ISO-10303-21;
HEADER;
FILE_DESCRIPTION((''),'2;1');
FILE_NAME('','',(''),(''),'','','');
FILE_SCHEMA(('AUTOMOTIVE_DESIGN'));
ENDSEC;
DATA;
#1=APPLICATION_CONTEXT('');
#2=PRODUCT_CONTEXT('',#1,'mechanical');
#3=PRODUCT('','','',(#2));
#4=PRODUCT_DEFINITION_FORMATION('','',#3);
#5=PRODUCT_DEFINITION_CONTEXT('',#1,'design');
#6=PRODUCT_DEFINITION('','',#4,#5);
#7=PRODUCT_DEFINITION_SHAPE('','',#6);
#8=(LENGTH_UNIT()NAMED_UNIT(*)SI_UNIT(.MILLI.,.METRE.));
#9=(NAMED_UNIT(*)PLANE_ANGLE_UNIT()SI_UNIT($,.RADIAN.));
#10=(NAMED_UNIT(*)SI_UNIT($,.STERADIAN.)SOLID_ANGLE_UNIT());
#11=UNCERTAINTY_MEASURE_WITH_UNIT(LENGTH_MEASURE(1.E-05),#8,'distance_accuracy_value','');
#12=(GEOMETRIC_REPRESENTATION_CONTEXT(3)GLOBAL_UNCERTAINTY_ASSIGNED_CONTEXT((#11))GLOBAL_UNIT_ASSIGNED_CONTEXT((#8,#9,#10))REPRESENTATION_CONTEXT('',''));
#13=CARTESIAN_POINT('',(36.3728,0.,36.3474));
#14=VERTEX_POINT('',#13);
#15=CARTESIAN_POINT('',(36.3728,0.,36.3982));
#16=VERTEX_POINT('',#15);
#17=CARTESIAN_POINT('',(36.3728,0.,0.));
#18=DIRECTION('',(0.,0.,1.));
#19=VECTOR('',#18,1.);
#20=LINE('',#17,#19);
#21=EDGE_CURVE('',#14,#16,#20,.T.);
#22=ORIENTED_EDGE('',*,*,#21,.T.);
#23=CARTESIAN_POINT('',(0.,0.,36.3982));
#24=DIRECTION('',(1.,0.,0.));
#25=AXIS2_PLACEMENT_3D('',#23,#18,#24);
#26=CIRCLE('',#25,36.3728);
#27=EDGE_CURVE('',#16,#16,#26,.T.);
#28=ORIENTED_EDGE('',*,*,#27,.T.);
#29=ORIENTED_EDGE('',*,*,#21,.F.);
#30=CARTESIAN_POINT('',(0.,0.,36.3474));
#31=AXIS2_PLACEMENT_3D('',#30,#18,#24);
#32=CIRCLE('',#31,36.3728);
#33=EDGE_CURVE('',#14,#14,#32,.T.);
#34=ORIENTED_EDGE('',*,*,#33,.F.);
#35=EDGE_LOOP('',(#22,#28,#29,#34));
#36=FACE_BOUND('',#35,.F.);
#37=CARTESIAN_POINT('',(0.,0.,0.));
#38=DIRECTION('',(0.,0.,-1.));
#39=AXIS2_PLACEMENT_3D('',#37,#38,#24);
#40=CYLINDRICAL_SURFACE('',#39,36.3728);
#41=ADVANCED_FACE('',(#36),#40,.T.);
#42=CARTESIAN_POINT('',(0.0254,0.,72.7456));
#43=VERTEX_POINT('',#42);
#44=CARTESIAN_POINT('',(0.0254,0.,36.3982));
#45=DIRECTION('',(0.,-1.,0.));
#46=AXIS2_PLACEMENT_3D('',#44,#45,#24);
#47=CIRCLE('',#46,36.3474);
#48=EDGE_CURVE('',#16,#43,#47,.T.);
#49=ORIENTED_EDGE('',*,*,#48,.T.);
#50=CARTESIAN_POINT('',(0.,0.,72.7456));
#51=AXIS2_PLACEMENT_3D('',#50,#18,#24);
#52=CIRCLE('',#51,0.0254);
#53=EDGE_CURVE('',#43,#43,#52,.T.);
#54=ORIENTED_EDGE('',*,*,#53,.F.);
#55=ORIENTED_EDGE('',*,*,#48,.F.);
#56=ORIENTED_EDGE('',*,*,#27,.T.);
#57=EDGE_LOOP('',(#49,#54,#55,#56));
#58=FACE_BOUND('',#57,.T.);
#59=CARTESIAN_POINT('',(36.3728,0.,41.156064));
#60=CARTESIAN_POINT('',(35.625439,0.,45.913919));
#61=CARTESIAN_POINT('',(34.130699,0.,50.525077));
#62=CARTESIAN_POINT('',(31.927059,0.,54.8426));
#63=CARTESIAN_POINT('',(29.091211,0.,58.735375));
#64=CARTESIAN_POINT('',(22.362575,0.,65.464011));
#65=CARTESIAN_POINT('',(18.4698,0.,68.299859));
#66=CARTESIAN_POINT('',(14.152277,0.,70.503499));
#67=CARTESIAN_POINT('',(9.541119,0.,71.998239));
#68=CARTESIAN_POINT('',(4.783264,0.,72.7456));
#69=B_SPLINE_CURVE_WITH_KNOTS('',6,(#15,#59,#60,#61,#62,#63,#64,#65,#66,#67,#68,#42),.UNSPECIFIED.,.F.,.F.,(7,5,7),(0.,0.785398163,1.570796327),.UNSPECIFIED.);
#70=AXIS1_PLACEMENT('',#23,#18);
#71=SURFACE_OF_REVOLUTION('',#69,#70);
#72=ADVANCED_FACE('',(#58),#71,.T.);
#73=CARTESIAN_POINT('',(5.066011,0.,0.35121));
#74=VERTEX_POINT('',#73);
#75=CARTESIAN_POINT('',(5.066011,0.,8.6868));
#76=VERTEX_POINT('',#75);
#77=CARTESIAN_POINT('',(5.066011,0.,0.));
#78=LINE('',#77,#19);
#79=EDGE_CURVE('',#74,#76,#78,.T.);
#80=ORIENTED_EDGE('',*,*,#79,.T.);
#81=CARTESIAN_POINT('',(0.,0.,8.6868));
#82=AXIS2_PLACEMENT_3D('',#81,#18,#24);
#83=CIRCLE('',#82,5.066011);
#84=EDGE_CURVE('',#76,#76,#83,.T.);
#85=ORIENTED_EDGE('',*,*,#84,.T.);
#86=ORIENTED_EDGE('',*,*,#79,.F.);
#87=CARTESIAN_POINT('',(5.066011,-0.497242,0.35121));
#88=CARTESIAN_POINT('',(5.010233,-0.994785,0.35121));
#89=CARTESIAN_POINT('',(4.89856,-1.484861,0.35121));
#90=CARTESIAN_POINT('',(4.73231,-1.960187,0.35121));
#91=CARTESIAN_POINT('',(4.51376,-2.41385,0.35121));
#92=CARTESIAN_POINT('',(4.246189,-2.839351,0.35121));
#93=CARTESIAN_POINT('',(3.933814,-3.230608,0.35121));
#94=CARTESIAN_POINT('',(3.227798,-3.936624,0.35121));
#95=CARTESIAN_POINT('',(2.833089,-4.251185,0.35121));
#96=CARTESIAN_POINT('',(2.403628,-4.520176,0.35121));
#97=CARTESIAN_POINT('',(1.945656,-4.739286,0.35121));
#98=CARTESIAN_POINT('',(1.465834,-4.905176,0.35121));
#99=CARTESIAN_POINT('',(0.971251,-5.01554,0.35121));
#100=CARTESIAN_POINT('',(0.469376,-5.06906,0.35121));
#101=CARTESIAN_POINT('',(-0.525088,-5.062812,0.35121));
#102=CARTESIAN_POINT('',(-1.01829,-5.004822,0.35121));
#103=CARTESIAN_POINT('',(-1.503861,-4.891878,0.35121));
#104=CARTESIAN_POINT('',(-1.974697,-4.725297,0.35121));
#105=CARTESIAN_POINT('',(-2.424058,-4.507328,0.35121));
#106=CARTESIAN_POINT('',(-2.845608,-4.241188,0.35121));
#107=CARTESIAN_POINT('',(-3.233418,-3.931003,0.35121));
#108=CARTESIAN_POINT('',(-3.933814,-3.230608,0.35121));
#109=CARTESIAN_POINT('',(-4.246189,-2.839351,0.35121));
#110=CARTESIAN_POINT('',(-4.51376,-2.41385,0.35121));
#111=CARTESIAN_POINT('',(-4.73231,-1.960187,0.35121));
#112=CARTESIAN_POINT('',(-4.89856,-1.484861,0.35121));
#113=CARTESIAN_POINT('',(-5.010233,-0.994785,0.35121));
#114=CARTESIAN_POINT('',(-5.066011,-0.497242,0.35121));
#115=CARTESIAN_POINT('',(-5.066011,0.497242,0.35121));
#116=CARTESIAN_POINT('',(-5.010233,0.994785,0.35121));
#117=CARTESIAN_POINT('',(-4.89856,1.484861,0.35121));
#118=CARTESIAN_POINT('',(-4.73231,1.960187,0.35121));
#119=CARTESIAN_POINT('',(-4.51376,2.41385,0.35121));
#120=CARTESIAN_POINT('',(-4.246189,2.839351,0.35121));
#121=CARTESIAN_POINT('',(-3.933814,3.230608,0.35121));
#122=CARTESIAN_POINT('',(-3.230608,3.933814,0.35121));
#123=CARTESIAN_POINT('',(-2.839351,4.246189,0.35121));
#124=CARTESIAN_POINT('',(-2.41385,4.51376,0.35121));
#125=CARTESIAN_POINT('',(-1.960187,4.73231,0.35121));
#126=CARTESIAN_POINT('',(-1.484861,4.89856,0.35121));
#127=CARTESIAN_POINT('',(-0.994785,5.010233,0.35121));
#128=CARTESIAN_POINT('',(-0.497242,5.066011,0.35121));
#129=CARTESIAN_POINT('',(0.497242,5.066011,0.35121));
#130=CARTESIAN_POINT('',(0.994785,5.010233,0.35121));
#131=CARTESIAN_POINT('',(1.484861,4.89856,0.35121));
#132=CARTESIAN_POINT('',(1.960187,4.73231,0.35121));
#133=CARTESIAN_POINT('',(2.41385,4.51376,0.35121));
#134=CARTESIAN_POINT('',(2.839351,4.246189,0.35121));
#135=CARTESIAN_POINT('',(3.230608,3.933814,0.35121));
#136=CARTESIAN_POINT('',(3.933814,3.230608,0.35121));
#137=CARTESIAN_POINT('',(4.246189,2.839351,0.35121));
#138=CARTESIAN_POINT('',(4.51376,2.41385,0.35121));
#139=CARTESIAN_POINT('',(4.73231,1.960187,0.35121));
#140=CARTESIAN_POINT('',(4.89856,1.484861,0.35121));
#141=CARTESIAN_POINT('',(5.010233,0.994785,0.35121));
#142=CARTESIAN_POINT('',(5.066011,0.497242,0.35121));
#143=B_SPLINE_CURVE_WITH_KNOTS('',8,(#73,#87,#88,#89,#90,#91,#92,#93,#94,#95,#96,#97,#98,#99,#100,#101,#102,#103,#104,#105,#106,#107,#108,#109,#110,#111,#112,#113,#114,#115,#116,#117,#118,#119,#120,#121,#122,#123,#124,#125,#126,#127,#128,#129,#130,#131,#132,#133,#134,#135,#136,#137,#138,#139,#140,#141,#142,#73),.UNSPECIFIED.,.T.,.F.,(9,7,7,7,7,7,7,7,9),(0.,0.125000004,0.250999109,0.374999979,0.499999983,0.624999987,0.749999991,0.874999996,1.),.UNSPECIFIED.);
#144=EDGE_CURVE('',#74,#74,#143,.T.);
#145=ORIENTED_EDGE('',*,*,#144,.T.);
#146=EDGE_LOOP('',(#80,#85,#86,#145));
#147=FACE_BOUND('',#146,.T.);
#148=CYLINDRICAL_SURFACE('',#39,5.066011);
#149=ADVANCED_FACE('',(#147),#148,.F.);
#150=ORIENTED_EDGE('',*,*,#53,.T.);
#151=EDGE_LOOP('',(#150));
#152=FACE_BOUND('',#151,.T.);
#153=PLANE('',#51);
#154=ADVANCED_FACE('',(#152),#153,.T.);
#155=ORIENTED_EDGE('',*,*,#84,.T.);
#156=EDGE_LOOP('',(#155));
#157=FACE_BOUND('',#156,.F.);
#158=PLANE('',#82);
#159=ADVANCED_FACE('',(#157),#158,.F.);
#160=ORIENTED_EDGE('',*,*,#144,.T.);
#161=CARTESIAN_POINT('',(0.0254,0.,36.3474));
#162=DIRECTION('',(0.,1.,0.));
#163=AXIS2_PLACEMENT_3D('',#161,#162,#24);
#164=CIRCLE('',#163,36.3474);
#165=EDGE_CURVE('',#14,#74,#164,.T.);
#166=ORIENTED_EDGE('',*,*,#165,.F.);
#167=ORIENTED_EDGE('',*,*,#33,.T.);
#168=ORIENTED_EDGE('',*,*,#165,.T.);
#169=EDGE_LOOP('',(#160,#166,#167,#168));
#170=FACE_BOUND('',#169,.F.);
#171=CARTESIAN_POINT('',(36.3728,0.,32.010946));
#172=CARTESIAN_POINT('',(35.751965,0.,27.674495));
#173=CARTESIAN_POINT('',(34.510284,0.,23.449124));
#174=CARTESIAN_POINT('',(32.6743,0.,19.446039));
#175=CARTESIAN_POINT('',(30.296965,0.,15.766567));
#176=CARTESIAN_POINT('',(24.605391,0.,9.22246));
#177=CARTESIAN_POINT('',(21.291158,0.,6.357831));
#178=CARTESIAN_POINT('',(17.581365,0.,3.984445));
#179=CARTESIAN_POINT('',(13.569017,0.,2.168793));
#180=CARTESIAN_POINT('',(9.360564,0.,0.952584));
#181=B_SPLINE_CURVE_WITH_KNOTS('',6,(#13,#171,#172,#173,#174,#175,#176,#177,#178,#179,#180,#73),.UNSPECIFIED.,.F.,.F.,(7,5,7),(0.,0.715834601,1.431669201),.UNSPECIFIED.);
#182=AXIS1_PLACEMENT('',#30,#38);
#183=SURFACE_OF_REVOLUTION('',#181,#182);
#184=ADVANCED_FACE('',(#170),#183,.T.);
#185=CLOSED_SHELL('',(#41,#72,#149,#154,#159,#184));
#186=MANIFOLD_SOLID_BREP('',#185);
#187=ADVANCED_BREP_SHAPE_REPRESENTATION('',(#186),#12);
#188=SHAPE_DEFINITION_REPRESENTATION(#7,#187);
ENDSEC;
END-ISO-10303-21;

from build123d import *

# Parameters (mm, degrees)
F0_R     = 36.3728
F1_DEPTH = 72.7456
F2_R     = 36.3474
F3_R     = 36.3474
F4_R     = 5.0660111754
F5_DEPTH = 8.6868


with BuildPart() as f1:
    # F0 (on Top) → F1 (new body)
    with BuildSketch(Plane.XY):
        Circle(F0_R)
    extrude(amount=F1_DEPTH)

    # F2
    f2_edges = [f1.edges().sort_by_distance(p)[0] for p in [
        (-36.3728, 0, 72.7456),
    ]]
    fillet(f2_edges, radius=F2_R)

    # F3
    f3_edges = [f1.edges().sort_by_distance(p)[0] for p in [
        (-36.3728, 0, 0),
        (-36.3728, 0, 36.3982),
    ]]
    fillet(f3_edges, radius=F3_R)

    # F4 (on Top) → F5 (cut)
    with BuildSketch(Plane.XY):
        Circle(F4_R)
    extrude(amount=F5_DEPTH, mode=Mode.SUBTRACT)


solid = f1.part
